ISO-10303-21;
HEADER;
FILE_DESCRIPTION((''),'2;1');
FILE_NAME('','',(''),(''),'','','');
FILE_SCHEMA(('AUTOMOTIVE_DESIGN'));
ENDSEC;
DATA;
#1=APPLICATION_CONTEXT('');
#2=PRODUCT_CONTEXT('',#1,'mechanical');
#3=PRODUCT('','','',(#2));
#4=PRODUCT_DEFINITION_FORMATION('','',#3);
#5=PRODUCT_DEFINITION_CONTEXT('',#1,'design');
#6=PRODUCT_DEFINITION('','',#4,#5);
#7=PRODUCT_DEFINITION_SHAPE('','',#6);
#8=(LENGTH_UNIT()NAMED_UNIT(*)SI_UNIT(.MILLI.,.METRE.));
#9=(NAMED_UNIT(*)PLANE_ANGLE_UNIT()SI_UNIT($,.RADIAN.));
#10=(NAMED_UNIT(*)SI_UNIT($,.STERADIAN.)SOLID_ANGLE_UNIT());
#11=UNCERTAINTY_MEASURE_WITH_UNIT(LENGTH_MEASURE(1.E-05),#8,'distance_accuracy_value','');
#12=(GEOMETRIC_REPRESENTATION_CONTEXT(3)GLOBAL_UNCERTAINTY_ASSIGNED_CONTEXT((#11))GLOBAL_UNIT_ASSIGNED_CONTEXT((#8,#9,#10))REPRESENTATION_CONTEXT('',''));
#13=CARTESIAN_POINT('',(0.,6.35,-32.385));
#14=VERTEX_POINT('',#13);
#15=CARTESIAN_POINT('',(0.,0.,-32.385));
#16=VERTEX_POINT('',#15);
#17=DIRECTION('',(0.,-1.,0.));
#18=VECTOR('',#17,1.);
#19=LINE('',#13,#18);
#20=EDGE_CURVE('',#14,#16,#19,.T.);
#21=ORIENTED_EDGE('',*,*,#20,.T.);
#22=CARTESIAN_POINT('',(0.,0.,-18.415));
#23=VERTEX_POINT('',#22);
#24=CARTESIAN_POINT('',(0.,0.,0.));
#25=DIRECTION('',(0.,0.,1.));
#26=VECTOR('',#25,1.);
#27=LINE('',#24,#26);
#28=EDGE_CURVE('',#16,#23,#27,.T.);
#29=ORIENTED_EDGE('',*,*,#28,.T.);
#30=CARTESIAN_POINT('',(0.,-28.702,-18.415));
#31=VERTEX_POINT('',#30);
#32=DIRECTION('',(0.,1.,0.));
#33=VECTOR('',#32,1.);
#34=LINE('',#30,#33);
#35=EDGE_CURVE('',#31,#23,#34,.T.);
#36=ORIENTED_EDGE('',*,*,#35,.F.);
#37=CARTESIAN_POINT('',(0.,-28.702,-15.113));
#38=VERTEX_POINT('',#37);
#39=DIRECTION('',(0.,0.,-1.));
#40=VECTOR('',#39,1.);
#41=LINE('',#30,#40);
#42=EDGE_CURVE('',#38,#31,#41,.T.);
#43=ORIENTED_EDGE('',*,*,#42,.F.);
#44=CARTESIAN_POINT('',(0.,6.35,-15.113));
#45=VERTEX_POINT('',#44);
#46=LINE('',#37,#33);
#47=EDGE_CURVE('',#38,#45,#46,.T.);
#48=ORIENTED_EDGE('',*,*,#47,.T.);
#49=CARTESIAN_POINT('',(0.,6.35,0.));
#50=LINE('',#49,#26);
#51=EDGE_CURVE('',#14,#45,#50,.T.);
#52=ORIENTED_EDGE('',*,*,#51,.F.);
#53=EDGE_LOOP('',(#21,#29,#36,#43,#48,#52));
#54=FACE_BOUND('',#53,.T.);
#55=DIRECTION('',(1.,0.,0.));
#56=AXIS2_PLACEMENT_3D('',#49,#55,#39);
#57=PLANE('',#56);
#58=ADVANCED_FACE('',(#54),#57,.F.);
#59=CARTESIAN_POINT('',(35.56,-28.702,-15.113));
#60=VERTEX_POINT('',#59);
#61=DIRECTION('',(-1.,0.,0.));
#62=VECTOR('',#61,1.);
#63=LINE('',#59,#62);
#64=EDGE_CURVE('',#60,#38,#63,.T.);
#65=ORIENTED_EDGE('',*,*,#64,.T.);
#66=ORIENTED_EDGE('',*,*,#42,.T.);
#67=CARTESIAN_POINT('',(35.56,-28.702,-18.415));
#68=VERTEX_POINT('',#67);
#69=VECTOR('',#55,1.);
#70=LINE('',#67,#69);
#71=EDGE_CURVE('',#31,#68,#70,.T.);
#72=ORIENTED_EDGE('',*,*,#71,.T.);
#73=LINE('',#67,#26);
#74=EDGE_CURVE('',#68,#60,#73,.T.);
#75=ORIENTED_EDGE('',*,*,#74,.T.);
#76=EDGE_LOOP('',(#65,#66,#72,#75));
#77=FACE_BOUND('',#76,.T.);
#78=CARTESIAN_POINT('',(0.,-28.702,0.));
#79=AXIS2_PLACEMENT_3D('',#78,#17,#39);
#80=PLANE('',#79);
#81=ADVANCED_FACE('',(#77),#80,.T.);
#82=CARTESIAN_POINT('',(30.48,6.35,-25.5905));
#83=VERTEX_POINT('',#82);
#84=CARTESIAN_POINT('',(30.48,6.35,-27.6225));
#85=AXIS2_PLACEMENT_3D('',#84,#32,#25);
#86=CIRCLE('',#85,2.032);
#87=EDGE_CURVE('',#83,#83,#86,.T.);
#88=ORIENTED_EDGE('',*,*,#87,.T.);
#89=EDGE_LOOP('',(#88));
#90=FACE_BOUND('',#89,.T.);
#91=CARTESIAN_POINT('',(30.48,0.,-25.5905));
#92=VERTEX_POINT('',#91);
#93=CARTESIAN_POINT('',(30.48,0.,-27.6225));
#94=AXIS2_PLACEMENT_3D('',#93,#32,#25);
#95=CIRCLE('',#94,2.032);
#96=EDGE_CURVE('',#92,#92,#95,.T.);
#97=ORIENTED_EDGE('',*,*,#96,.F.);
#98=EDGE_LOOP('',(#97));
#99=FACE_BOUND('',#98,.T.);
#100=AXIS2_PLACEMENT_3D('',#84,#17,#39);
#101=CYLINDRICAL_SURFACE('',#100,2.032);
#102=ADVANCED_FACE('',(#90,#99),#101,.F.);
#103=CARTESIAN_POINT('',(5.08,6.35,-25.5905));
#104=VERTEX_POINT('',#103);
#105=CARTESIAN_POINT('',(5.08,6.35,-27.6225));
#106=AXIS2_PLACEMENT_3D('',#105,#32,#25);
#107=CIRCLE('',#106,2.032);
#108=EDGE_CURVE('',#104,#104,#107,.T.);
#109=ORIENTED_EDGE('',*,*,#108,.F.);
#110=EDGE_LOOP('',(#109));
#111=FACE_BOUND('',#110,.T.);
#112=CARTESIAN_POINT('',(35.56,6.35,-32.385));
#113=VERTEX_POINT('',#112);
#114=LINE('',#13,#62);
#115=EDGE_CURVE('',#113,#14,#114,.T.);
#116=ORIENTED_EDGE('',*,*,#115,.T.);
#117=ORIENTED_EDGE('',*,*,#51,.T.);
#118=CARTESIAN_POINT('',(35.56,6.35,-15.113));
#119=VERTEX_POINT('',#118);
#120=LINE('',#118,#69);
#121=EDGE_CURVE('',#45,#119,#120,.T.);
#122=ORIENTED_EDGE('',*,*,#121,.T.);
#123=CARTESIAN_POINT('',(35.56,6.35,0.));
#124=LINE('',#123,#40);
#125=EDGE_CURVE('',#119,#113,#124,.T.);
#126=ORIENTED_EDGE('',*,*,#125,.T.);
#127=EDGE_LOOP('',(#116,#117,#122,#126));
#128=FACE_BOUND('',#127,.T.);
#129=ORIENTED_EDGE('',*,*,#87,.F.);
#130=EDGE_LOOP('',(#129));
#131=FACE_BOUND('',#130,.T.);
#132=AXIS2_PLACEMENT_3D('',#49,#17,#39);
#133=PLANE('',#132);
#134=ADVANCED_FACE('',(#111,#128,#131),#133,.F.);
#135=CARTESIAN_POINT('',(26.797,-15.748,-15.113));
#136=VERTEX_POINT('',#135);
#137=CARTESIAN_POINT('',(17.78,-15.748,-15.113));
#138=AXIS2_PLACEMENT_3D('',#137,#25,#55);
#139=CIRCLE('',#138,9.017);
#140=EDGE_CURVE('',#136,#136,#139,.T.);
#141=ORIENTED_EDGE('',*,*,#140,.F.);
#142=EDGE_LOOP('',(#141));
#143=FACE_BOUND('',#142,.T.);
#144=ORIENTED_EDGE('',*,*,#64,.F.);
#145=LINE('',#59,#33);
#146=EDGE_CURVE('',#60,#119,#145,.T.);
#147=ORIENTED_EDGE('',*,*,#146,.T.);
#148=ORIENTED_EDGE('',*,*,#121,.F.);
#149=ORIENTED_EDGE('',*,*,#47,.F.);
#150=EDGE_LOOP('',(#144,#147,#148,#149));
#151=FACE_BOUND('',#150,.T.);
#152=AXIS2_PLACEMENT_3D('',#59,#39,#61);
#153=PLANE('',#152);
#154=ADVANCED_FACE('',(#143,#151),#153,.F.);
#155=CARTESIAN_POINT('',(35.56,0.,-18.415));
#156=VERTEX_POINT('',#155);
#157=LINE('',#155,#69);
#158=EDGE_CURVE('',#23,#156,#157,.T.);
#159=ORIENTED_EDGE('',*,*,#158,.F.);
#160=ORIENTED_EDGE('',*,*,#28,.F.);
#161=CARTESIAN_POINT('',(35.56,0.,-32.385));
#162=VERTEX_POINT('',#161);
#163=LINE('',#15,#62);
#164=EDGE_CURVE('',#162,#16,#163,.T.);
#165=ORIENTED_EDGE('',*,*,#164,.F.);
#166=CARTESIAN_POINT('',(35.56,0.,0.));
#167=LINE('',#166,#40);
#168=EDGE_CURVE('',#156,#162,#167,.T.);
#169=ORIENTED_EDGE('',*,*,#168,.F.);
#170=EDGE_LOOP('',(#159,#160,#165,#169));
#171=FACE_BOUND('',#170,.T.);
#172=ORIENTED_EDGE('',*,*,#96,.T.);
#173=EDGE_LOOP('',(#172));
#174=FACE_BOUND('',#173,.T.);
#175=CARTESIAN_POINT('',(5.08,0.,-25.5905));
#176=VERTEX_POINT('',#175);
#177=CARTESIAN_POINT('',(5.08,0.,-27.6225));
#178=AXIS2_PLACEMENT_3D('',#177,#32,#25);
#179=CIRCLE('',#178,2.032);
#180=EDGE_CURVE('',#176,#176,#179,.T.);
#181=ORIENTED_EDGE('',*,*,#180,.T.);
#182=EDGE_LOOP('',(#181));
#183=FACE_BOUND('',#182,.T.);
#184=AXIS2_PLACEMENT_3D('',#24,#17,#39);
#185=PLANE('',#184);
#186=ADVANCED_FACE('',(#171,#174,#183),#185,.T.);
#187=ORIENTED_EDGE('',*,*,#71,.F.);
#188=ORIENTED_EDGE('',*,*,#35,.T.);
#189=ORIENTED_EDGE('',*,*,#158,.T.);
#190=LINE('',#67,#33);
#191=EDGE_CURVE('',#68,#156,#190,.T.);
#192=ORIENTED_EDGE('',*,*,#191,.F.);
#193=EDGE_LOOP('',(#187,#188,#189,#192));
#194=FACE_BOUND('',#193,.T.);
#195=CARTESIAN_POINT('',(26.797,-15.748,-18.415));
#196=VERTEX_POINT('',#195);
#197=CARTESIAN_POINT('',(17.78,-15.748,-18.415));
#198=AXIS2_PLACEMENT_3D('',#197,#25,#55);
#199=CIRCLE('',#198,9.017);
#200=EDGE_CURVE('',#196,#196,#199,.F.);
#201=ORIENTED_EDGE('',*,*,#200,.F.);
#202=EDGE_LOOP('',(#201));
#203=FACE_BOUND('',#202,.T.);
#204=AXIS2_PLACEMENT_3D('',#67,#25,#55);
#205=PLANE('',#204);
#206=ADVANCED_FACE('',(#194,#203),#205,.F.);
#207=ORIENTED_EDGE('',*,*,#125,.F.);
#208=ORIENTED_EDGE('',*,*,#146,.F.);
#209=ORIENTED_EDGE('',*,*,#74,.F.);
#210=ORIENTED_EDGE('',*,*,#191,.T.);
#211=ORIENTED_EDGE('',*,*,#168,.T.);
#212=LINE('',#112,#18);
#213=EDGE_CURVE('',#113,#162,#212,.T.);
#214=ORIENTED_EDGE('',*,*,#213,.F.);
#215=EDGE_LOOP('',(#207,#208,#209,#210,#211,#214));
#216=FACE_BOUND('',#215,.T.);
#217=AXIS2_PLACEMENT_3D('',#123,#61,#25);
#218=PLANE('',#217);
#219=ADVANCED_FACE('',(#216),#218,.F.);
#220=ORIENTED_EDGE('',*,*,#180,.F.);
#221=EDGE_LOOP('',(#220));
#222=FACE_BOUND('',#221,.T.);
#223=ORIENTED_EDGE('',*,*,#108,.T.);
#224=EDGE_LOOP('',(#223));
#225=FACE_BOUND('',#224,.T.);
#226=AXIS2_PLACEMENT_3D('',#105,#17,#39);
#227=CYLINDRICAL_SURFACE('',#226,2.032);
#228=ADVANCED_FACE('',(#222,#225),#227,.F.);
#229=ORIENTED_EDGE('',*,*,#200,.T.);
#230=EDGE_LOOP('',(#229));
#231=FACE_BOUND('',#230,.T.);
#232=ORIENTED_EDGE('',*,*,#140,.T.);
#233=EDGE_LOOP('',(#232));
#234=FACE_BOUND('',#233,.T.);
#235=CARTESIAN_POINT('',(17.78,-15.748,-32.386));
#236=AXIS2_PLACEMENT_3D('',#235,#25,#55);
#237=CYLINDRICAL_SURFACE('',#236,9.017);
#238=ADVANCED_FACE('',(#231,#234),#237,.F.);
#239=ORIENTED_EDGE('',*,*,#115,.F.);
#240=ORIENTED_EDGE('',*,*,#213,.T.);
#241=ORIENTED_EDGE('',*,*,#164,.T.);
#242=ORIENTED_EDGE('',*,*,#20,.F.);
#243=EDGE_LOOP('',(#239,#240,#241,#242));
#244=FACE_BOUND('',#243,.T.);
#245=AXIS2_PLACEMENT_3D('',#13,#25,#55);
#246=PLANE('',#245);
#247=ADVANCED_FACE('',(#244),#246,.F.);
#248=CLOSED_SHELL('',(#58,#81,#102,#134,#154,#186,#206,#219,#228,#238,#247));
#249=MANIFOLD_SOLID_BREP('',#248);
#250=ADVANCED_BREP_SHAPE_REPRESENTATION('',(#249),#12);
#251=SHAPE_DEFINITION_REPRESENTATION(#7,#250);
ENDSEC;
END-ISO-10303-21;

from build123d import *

# Parameters (mm, degrees)
SKETCH11_W          = 35.56
SKETCH11_H          = 32.385
SKETCH11_R          = 2.032
BOSS_EXTRUDE1_DEPTH = 6.35
SKETCH14_W          = 35.56
SKETCH14_H          = 3.302
BOSS_EXTRUDE2_DEPTH = 28.702
CUT_EXTRUDE1_REACH  = 50.853
SKETCH15_R          = 9.017
SKETCH16_W          = 35.56
SKETCH16_H          = 15.113
CUT_EXTRUDE2_DEPTH  = 57.009879745


with BuildPart() as part:
    # Sketch11 → Boss-Extrude1 (new body)
    with BuildSketch(Plane(origin=(0, 0, 0), x_dir=(1, 0, 0), z_dir=(0, 1, 0))):
        with Locations((17.78, 16.1925)):
            Rectangle(SKETCH11_W, SKETCH11_H)
        with Locations(Location((5.08, 27.6225, 0), (0, 0, 270))):
            Circle(SKETCH11_R, mode=Mode.SUBTRACT)
        with Locations(Location((30.48, 27.6225, 0), (0, 0, 270))):
            Circle(SKETCH11_R, mode=Mode.SUBTRACT)
        with Locations(Location((17.78, 6.7945, 0), (0, 0, 270))):
            Circle(SKETCH11_R, mode=Mode.SUBTRACT)
    extrude(amount=BOSS_EXTRUDE1_DEPTH)

    # Sketch14 → Boss-Extrude2 (add)
    with BuildSketch(Plane.XZ):
        with Locations((17.78, -16.764)):
            Rectangle(SKETCH14_W, SKETCH14_H)
    extrude(amount=BOSS_EXTRUDE2_DEPTH)

    # Sketch15 → Cut-Extrude1 (cut, up to next)
    with BuildSketch(Plane.XY.offset(-15.113), mode=Mode.PRIVATE) as cut_extrude1_sk1:
        with Locations((17.78, -15.748)):
            Circle(SKETCH15_R)
    cut_extrude1_tool1 = extrude(cut_extrude1_sk1.sketch, amount=-CUT_EXTRUDE1_REACH, mode=Mode.PRIVATE) & part.part
    add(cut_extrude1_tool1.solids().sort_by_distance((17.78, -15.748, -15.113))[0], mode=Mode.SUBTRACT)

    # Sketch16 → Cut-Extrude2 (cut, through all)
    with BuildSketch(Plane.XZ):
        with Locations((17.78, -7.5565)):
            Rectangle(SKETCH16_W, SKETCH16_H)
    extrude(amount=-CUT_EXTRUDE2_DEPTH, mode=Mode.SUBTRACT)


solid = part.part
